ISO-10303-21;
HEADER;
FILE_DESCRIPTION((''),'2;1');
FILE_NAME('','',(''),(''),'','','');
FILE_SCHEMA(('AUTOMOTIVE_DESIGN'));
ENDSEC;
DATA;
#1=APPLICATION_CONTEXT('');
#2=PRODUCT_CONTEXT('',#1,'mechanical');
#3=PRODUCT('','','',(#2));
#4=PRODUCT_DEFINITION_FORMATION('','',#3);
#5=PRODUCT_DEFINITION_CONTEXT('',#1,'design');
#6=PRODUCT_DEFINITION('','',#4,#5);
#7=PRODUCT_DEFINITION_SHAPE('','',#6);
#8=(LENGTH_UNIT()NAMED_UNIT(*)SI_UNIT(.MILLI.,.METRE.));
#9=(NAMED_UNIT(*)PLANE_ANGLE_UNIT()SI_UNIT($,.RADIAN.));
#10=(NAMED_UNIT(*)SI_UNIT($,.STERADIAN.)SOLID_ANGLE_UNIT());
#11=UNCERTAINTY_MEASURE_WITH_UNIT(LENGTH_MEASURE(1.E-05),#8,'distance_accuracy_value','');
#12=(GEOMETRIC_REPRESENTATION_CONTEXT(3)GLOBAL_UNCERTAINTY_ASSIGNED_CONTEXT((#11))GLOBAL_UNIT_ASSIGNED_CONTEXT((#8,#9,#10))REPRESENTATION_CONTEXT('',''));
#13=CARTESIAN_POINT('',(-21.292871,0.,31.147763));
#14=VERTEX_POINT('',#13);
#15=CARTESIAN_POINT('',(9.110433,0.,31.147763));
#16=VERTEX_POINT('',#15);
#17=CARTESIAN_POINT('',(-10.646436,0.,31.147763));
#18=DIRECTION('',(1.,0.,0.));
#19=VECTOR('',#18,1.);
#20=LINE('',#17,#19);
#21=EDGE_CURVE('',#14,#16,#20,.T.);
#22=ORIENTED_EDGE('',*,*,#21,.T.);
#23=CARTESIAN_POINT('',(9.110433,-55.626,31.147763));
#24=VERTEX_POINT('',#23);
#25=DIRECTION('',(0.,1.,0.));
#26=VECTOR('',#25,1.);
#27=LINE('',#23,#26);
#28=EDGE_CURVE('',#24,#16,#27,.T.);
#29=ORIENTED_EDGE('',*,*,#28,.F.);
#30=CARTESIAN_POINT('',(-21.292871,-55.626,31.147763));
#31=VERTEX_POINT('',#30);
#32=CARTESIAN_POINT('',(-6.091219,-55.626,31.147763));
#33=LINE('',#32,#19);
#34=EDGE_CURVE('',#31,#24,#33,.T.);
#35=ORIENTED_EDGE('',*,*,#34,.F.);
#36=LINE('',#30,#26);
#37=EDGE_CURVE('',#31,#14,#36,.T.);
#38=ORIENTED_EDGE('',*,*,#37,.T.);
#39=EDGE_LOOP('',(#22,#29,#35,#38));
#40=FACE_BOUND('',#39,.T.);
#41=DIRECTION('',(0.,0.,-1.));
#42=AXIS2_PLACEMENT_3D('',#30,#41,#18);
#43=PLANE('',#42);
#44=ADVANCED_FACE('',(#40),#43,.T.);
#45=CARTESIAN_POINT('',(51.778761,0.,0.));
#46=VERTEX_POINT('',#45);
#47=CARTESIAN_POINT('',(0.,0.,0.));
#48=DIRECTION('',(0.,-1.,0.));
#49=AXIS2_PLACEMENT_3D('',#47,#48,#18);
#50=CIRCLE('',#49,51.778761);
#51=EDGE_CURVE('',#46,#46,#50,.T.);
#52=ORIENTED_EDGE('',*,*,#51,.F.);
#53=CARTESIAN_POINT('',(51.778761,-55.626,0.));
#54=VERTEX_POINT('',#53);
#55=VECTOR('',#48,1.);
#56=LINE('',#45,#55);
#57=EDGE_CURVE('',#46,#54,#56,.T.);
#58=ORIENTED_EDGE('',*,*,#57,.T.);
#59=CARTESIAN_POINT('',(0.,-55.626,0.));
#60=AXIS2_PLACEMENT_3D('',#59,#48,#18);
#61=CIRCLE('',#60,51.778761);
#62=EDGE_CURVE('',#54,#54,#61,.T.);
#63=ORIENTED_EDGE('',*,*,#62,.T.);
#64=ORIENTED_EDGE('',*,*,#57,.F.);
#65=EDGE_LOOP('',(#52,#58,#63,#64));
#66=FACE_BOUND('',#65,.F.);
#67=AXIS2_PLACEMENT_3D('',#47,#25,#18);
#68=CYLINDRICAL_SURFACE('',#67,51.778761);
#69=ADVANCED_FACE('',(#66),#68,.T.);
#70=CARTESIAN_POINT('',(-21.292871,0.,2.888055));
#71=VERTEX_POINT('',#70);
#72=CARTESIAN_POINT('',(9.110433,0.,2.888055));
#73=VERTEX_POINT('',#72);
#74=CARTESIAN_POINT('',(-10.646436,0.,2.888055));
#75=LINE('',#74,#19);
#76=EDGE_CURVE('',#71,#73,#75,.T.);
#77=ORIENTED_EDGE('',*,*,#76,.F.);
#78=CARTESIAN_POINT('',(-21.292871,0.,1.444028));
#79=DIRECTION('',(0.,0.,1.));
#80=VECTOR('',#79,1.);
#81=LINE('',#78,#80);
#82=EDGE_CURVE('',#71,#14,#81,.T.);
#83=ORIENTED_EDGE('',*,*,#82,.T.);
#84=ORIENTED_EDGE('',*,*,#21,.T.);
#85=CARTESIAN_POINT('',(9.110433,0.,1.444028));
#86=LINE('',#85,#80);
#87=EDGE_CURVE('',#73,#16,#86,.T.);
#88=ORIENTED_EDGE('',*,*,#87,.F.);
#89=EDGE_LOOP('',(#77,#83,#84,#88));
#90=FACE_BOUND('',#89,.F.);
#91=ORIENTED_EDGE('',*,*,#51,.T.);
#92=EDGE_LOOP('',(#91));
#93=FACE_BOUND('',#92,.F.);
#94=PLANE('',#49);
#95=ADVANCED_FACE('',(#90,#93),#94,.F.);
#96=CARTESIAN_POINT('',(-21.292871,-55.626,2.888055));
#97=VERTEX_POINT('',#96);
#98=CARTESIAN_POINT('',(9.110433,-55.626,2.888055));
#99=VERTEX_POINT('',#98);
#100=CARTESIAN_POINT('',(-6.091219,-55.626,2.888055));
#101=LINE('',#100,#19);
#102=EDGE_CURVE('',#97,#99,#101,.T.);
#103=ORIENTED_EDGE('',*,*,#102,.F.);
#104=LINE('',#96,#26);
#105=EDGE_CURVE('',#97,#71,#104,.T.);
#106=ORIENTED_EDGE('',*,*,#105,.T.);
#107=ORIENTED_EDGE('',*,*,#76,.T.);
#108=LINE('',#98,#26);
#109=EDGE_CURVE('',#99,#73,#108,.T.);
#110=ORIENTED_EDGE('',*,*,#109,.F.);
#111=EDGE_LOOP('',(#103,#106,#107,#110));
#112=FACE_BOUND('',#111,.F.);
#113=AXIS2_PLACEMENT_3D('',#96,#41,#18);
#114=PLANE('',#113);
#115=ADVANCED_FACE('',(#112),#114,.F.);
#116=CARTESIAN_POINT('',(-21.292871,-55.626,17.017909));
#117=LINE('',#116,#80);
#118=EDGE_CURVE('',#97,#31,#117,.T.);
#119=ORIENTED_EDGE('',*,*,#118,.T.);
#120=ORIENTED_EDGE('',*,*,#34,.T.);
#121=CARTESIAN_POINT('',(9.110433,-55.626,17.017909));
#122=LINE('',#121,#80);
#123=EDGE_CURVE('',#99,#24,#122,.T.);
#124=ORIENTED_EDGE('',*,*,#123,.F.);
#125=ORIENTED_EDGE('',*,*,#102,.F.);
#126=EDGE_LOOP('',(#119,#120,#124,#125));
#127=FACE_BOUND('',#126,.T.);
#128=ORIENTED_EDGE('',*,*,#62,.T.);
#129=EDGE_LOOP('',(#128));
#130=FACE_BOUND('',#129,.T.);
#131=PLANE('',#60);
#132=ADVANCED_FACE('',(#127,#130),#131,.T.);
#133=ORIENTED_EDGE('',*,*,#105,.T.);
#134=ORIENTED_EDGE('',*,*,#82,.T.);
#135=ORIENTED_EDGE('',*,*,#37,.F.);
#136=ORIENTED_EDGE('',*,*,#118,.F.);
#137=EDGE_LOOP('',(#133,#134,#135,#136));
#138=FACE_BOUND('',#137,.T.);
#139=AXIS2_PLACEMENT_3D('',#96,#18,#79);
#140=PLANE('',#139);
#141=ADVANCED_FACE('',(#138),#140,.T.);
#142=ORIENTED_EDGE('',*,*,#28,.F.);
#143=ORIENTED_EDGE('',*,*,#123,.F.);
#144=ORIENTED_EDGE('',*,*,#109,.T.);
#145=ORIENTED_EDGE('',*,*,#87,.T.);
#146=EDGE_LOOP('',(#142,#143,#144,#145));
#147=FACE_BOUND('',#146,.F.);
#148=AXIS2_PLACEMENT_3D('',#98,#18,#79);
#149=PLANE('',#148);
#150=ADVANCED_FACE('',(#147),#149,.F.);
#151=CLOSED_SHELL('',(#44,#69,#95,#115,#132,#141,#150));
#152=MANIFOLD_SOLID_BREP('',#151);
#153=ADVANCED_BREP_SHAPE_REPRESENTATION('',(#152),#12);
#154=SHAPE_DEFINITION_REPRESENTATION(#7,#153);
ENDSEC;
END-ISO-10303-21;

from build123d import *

# Parameters (mm, degrees)
F0_R     = 51.778761
F1_DEPTH = 55.626
F2_W     = 30.403304
F2_H     = 28.259708
F3_DEPTH = 110.998


with BuildPart() as f1:
    # F0 (on Front) → F1 (new body)
    with BuildSketch(Plane.XZ):
        Circle(F0_R)
    extrude(amount=F1_DEPTH)

    # F2 (on face) → F3 (cut)
    with BuildSketch(Plane.XZ.offset(55.626)):
        with Locations((-6.091219, 17.017909)):
            Rectangle(F2_W, F2_H)
    extrude(amount=-F3_DEPTH, mode=Mode.SUBTRACT)


solid = f1.part
